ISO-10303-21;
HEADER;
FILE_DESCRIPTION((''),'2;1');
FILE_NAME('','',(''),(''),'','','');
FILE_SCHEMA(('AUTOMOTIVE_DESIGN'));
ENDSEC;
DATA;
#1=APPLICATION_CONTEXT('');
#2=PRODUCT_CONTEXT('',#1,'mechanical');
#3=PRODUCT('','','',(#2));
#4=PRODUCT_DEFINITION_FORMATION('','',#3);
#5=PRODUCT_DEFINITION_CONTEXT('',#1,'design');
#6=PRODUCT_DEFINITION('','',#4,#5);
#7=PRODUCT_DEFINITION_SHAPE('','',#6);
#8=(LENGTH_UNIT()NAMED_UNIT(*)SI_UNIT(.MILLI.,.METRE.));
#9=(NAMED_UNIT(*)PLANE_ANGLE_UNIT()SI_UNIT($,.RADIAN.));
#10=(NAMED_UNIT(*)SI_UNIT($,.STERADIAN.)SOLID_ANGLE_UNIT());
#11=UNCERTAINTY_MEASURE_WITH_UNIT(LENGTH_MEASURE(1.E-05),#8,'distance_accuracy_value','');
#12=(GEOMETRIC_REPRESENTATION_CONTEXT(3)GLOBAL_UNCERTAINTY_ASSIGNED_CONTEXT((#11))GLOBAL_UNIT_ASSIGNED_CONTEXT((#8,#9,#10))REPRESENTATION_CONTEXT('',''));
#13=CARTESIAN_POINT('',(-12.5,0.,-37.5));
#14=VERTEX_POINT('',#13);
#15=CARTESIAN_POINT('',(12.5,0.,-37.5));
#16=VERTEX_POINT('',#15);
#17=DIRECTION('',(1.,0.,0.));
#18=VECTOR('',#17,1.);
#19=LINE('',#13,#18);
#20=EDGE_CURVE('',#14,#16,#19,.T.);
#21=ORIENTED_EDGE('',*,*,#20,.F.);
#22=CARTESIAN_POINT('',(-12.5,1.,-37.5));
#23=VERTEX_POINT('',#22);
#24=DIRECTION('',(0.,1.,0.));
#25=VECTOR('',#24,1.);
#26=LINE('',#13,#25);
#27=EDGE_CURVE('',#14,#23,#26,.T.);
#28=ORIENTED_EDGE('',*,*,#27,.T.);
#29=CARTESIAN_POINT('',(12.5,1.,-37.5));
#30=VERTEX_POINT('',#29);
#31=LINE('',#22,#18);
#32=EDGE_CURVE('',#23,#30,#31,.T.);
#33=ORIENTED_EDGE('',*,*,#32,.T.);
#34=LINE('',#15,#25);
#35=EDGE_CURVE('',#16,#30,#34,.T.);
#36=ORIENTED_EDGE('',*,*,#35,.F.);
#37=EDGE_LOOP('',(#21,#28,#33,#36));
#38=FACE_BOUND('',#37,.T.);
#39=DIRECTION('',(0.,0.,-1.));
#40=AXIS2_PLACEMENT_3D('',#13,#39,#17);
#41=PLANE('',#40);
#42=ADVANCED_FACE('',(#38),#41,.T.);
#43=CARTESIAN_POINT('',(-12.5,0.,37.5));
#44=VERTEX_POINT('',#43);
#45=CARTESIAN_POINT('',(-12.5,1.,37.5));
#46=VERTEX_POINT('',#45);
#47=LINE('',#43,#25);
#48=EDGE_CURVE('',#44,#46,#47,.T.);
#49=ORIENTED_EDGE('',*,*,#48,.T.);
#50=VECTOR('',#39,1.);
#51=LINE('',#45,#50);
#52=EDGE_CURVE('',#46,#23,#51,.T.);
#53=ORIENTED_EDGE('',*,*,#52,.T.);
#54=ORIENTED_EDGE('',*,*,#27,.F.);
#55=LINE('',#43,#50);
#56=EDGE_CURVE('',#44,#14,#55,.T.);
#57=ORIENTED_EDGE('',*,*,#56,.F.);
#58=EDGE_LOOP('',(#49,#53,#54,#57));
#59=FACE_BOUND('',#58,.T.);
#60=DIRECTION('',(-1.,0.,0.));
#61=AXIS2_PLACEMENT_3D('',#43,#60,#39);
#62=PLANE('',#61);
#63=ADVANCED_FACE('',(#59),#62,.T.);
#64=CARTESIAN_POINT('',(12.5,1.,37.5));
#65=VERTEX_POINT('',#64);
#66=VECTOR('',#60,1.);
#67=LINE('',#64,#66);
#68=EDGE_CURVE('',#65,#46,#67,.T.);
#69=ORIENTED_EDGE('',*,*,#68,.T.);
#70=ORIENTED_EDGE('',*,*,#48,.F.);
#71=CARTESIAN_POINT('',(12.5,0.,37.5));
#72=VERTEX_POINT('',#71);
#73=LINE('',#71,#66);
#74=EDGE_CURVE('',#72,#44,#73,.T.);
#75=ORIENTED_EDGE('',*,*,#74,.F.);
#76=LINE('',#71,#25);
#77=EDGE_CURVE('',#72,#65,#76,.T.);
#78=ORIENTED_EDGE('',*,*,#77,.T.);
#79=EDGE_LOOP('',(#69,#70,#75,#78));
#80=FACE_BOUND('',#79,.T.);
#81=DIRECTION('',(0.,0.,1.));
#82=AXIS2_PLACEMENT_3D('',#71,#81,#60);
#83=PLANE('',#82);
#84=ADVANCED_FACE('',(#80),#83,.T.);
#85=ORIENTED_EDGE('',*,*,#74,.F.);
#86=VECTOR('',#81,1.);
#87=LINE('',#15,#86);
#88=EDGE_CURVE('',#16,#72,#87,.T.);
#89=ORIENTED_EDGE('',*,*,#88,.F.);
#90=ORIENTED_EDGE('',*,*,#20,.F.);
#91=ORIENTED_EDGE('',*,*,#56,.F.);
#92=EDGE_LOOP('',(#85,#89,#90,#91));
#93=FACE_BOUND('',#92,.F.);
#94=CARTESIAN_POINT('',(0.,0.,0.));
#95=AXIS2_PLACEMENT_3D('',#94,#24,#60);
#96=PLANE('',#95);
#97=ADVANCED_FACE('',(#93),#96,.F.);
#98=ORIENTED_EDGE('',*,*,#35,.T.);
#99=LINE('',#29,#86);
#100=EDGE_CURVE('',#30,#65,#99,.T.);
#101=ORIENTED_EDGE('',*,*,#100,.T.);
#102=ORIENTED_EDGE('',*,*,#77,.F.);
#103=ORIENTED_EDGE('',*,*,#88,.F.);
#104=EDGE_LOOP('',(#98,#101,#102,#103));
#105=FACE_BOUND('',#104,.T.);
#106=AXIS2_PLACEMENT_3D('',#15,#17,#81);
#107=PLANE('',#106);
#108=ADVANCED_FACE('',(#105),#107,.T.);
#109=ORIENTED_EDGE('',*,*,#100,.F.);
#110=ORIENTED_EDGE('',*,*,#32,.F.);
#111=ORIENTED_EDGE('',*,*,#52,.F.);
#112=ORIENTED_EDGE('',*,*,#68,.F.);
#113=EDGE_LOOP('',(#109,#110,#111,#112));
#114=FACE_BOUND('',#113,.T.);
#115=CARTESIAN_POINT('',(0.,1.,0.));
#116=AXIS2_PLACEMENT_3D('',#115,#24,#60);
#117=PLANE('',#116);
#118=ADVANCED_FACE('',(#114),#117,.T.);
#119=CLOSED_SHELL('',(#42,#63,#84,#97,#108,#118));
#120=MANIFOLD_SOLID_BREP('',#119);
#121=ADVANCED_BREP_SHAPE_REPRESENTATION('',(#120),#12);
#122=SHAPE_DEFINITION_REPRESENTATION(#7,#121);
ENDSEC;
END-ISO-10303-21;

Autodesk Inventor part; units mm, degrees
ref_plane "YZ Plane" through (0, 0, 0) normal (1, 0, 0) x (0, 1, 0)
ref_plane "XZ Plane" through (0, 0, 0) normal (0, 1, 0) x (-1, 0, 0)
ref_plane "XY Plane" through (0, 0, 0) normal (0, 0, 1) x (1, 0, 0)
sketch "Sketch1" plane through (0, 0, 0) normal (0, 1, 0) x (-1, 0, 0)
  line L0 (-12.5, 37.5) -> (12.5, 37.5)
  line L1 (12.5, 37.5) -> (12.5, -37.5)
  line L2 (12.5, -37.5) -> (-12.5, -37.5)
  line L3 (-12.5, -37.5) -> (-12.5, 37.5)
  line L4 (-12.5, 37.5) -> (12.5, -37.5) construction
  line L5 (12.5, 37.5) -> (-12.5, -37.5) construction
  point P0 (0, 0)
  dimension "d0" = 75
  dimension "d1" = 25
extrude "Extrusion1" add sketch "Sketch1" along normal blind 1
properties part number "Microscope slide"
